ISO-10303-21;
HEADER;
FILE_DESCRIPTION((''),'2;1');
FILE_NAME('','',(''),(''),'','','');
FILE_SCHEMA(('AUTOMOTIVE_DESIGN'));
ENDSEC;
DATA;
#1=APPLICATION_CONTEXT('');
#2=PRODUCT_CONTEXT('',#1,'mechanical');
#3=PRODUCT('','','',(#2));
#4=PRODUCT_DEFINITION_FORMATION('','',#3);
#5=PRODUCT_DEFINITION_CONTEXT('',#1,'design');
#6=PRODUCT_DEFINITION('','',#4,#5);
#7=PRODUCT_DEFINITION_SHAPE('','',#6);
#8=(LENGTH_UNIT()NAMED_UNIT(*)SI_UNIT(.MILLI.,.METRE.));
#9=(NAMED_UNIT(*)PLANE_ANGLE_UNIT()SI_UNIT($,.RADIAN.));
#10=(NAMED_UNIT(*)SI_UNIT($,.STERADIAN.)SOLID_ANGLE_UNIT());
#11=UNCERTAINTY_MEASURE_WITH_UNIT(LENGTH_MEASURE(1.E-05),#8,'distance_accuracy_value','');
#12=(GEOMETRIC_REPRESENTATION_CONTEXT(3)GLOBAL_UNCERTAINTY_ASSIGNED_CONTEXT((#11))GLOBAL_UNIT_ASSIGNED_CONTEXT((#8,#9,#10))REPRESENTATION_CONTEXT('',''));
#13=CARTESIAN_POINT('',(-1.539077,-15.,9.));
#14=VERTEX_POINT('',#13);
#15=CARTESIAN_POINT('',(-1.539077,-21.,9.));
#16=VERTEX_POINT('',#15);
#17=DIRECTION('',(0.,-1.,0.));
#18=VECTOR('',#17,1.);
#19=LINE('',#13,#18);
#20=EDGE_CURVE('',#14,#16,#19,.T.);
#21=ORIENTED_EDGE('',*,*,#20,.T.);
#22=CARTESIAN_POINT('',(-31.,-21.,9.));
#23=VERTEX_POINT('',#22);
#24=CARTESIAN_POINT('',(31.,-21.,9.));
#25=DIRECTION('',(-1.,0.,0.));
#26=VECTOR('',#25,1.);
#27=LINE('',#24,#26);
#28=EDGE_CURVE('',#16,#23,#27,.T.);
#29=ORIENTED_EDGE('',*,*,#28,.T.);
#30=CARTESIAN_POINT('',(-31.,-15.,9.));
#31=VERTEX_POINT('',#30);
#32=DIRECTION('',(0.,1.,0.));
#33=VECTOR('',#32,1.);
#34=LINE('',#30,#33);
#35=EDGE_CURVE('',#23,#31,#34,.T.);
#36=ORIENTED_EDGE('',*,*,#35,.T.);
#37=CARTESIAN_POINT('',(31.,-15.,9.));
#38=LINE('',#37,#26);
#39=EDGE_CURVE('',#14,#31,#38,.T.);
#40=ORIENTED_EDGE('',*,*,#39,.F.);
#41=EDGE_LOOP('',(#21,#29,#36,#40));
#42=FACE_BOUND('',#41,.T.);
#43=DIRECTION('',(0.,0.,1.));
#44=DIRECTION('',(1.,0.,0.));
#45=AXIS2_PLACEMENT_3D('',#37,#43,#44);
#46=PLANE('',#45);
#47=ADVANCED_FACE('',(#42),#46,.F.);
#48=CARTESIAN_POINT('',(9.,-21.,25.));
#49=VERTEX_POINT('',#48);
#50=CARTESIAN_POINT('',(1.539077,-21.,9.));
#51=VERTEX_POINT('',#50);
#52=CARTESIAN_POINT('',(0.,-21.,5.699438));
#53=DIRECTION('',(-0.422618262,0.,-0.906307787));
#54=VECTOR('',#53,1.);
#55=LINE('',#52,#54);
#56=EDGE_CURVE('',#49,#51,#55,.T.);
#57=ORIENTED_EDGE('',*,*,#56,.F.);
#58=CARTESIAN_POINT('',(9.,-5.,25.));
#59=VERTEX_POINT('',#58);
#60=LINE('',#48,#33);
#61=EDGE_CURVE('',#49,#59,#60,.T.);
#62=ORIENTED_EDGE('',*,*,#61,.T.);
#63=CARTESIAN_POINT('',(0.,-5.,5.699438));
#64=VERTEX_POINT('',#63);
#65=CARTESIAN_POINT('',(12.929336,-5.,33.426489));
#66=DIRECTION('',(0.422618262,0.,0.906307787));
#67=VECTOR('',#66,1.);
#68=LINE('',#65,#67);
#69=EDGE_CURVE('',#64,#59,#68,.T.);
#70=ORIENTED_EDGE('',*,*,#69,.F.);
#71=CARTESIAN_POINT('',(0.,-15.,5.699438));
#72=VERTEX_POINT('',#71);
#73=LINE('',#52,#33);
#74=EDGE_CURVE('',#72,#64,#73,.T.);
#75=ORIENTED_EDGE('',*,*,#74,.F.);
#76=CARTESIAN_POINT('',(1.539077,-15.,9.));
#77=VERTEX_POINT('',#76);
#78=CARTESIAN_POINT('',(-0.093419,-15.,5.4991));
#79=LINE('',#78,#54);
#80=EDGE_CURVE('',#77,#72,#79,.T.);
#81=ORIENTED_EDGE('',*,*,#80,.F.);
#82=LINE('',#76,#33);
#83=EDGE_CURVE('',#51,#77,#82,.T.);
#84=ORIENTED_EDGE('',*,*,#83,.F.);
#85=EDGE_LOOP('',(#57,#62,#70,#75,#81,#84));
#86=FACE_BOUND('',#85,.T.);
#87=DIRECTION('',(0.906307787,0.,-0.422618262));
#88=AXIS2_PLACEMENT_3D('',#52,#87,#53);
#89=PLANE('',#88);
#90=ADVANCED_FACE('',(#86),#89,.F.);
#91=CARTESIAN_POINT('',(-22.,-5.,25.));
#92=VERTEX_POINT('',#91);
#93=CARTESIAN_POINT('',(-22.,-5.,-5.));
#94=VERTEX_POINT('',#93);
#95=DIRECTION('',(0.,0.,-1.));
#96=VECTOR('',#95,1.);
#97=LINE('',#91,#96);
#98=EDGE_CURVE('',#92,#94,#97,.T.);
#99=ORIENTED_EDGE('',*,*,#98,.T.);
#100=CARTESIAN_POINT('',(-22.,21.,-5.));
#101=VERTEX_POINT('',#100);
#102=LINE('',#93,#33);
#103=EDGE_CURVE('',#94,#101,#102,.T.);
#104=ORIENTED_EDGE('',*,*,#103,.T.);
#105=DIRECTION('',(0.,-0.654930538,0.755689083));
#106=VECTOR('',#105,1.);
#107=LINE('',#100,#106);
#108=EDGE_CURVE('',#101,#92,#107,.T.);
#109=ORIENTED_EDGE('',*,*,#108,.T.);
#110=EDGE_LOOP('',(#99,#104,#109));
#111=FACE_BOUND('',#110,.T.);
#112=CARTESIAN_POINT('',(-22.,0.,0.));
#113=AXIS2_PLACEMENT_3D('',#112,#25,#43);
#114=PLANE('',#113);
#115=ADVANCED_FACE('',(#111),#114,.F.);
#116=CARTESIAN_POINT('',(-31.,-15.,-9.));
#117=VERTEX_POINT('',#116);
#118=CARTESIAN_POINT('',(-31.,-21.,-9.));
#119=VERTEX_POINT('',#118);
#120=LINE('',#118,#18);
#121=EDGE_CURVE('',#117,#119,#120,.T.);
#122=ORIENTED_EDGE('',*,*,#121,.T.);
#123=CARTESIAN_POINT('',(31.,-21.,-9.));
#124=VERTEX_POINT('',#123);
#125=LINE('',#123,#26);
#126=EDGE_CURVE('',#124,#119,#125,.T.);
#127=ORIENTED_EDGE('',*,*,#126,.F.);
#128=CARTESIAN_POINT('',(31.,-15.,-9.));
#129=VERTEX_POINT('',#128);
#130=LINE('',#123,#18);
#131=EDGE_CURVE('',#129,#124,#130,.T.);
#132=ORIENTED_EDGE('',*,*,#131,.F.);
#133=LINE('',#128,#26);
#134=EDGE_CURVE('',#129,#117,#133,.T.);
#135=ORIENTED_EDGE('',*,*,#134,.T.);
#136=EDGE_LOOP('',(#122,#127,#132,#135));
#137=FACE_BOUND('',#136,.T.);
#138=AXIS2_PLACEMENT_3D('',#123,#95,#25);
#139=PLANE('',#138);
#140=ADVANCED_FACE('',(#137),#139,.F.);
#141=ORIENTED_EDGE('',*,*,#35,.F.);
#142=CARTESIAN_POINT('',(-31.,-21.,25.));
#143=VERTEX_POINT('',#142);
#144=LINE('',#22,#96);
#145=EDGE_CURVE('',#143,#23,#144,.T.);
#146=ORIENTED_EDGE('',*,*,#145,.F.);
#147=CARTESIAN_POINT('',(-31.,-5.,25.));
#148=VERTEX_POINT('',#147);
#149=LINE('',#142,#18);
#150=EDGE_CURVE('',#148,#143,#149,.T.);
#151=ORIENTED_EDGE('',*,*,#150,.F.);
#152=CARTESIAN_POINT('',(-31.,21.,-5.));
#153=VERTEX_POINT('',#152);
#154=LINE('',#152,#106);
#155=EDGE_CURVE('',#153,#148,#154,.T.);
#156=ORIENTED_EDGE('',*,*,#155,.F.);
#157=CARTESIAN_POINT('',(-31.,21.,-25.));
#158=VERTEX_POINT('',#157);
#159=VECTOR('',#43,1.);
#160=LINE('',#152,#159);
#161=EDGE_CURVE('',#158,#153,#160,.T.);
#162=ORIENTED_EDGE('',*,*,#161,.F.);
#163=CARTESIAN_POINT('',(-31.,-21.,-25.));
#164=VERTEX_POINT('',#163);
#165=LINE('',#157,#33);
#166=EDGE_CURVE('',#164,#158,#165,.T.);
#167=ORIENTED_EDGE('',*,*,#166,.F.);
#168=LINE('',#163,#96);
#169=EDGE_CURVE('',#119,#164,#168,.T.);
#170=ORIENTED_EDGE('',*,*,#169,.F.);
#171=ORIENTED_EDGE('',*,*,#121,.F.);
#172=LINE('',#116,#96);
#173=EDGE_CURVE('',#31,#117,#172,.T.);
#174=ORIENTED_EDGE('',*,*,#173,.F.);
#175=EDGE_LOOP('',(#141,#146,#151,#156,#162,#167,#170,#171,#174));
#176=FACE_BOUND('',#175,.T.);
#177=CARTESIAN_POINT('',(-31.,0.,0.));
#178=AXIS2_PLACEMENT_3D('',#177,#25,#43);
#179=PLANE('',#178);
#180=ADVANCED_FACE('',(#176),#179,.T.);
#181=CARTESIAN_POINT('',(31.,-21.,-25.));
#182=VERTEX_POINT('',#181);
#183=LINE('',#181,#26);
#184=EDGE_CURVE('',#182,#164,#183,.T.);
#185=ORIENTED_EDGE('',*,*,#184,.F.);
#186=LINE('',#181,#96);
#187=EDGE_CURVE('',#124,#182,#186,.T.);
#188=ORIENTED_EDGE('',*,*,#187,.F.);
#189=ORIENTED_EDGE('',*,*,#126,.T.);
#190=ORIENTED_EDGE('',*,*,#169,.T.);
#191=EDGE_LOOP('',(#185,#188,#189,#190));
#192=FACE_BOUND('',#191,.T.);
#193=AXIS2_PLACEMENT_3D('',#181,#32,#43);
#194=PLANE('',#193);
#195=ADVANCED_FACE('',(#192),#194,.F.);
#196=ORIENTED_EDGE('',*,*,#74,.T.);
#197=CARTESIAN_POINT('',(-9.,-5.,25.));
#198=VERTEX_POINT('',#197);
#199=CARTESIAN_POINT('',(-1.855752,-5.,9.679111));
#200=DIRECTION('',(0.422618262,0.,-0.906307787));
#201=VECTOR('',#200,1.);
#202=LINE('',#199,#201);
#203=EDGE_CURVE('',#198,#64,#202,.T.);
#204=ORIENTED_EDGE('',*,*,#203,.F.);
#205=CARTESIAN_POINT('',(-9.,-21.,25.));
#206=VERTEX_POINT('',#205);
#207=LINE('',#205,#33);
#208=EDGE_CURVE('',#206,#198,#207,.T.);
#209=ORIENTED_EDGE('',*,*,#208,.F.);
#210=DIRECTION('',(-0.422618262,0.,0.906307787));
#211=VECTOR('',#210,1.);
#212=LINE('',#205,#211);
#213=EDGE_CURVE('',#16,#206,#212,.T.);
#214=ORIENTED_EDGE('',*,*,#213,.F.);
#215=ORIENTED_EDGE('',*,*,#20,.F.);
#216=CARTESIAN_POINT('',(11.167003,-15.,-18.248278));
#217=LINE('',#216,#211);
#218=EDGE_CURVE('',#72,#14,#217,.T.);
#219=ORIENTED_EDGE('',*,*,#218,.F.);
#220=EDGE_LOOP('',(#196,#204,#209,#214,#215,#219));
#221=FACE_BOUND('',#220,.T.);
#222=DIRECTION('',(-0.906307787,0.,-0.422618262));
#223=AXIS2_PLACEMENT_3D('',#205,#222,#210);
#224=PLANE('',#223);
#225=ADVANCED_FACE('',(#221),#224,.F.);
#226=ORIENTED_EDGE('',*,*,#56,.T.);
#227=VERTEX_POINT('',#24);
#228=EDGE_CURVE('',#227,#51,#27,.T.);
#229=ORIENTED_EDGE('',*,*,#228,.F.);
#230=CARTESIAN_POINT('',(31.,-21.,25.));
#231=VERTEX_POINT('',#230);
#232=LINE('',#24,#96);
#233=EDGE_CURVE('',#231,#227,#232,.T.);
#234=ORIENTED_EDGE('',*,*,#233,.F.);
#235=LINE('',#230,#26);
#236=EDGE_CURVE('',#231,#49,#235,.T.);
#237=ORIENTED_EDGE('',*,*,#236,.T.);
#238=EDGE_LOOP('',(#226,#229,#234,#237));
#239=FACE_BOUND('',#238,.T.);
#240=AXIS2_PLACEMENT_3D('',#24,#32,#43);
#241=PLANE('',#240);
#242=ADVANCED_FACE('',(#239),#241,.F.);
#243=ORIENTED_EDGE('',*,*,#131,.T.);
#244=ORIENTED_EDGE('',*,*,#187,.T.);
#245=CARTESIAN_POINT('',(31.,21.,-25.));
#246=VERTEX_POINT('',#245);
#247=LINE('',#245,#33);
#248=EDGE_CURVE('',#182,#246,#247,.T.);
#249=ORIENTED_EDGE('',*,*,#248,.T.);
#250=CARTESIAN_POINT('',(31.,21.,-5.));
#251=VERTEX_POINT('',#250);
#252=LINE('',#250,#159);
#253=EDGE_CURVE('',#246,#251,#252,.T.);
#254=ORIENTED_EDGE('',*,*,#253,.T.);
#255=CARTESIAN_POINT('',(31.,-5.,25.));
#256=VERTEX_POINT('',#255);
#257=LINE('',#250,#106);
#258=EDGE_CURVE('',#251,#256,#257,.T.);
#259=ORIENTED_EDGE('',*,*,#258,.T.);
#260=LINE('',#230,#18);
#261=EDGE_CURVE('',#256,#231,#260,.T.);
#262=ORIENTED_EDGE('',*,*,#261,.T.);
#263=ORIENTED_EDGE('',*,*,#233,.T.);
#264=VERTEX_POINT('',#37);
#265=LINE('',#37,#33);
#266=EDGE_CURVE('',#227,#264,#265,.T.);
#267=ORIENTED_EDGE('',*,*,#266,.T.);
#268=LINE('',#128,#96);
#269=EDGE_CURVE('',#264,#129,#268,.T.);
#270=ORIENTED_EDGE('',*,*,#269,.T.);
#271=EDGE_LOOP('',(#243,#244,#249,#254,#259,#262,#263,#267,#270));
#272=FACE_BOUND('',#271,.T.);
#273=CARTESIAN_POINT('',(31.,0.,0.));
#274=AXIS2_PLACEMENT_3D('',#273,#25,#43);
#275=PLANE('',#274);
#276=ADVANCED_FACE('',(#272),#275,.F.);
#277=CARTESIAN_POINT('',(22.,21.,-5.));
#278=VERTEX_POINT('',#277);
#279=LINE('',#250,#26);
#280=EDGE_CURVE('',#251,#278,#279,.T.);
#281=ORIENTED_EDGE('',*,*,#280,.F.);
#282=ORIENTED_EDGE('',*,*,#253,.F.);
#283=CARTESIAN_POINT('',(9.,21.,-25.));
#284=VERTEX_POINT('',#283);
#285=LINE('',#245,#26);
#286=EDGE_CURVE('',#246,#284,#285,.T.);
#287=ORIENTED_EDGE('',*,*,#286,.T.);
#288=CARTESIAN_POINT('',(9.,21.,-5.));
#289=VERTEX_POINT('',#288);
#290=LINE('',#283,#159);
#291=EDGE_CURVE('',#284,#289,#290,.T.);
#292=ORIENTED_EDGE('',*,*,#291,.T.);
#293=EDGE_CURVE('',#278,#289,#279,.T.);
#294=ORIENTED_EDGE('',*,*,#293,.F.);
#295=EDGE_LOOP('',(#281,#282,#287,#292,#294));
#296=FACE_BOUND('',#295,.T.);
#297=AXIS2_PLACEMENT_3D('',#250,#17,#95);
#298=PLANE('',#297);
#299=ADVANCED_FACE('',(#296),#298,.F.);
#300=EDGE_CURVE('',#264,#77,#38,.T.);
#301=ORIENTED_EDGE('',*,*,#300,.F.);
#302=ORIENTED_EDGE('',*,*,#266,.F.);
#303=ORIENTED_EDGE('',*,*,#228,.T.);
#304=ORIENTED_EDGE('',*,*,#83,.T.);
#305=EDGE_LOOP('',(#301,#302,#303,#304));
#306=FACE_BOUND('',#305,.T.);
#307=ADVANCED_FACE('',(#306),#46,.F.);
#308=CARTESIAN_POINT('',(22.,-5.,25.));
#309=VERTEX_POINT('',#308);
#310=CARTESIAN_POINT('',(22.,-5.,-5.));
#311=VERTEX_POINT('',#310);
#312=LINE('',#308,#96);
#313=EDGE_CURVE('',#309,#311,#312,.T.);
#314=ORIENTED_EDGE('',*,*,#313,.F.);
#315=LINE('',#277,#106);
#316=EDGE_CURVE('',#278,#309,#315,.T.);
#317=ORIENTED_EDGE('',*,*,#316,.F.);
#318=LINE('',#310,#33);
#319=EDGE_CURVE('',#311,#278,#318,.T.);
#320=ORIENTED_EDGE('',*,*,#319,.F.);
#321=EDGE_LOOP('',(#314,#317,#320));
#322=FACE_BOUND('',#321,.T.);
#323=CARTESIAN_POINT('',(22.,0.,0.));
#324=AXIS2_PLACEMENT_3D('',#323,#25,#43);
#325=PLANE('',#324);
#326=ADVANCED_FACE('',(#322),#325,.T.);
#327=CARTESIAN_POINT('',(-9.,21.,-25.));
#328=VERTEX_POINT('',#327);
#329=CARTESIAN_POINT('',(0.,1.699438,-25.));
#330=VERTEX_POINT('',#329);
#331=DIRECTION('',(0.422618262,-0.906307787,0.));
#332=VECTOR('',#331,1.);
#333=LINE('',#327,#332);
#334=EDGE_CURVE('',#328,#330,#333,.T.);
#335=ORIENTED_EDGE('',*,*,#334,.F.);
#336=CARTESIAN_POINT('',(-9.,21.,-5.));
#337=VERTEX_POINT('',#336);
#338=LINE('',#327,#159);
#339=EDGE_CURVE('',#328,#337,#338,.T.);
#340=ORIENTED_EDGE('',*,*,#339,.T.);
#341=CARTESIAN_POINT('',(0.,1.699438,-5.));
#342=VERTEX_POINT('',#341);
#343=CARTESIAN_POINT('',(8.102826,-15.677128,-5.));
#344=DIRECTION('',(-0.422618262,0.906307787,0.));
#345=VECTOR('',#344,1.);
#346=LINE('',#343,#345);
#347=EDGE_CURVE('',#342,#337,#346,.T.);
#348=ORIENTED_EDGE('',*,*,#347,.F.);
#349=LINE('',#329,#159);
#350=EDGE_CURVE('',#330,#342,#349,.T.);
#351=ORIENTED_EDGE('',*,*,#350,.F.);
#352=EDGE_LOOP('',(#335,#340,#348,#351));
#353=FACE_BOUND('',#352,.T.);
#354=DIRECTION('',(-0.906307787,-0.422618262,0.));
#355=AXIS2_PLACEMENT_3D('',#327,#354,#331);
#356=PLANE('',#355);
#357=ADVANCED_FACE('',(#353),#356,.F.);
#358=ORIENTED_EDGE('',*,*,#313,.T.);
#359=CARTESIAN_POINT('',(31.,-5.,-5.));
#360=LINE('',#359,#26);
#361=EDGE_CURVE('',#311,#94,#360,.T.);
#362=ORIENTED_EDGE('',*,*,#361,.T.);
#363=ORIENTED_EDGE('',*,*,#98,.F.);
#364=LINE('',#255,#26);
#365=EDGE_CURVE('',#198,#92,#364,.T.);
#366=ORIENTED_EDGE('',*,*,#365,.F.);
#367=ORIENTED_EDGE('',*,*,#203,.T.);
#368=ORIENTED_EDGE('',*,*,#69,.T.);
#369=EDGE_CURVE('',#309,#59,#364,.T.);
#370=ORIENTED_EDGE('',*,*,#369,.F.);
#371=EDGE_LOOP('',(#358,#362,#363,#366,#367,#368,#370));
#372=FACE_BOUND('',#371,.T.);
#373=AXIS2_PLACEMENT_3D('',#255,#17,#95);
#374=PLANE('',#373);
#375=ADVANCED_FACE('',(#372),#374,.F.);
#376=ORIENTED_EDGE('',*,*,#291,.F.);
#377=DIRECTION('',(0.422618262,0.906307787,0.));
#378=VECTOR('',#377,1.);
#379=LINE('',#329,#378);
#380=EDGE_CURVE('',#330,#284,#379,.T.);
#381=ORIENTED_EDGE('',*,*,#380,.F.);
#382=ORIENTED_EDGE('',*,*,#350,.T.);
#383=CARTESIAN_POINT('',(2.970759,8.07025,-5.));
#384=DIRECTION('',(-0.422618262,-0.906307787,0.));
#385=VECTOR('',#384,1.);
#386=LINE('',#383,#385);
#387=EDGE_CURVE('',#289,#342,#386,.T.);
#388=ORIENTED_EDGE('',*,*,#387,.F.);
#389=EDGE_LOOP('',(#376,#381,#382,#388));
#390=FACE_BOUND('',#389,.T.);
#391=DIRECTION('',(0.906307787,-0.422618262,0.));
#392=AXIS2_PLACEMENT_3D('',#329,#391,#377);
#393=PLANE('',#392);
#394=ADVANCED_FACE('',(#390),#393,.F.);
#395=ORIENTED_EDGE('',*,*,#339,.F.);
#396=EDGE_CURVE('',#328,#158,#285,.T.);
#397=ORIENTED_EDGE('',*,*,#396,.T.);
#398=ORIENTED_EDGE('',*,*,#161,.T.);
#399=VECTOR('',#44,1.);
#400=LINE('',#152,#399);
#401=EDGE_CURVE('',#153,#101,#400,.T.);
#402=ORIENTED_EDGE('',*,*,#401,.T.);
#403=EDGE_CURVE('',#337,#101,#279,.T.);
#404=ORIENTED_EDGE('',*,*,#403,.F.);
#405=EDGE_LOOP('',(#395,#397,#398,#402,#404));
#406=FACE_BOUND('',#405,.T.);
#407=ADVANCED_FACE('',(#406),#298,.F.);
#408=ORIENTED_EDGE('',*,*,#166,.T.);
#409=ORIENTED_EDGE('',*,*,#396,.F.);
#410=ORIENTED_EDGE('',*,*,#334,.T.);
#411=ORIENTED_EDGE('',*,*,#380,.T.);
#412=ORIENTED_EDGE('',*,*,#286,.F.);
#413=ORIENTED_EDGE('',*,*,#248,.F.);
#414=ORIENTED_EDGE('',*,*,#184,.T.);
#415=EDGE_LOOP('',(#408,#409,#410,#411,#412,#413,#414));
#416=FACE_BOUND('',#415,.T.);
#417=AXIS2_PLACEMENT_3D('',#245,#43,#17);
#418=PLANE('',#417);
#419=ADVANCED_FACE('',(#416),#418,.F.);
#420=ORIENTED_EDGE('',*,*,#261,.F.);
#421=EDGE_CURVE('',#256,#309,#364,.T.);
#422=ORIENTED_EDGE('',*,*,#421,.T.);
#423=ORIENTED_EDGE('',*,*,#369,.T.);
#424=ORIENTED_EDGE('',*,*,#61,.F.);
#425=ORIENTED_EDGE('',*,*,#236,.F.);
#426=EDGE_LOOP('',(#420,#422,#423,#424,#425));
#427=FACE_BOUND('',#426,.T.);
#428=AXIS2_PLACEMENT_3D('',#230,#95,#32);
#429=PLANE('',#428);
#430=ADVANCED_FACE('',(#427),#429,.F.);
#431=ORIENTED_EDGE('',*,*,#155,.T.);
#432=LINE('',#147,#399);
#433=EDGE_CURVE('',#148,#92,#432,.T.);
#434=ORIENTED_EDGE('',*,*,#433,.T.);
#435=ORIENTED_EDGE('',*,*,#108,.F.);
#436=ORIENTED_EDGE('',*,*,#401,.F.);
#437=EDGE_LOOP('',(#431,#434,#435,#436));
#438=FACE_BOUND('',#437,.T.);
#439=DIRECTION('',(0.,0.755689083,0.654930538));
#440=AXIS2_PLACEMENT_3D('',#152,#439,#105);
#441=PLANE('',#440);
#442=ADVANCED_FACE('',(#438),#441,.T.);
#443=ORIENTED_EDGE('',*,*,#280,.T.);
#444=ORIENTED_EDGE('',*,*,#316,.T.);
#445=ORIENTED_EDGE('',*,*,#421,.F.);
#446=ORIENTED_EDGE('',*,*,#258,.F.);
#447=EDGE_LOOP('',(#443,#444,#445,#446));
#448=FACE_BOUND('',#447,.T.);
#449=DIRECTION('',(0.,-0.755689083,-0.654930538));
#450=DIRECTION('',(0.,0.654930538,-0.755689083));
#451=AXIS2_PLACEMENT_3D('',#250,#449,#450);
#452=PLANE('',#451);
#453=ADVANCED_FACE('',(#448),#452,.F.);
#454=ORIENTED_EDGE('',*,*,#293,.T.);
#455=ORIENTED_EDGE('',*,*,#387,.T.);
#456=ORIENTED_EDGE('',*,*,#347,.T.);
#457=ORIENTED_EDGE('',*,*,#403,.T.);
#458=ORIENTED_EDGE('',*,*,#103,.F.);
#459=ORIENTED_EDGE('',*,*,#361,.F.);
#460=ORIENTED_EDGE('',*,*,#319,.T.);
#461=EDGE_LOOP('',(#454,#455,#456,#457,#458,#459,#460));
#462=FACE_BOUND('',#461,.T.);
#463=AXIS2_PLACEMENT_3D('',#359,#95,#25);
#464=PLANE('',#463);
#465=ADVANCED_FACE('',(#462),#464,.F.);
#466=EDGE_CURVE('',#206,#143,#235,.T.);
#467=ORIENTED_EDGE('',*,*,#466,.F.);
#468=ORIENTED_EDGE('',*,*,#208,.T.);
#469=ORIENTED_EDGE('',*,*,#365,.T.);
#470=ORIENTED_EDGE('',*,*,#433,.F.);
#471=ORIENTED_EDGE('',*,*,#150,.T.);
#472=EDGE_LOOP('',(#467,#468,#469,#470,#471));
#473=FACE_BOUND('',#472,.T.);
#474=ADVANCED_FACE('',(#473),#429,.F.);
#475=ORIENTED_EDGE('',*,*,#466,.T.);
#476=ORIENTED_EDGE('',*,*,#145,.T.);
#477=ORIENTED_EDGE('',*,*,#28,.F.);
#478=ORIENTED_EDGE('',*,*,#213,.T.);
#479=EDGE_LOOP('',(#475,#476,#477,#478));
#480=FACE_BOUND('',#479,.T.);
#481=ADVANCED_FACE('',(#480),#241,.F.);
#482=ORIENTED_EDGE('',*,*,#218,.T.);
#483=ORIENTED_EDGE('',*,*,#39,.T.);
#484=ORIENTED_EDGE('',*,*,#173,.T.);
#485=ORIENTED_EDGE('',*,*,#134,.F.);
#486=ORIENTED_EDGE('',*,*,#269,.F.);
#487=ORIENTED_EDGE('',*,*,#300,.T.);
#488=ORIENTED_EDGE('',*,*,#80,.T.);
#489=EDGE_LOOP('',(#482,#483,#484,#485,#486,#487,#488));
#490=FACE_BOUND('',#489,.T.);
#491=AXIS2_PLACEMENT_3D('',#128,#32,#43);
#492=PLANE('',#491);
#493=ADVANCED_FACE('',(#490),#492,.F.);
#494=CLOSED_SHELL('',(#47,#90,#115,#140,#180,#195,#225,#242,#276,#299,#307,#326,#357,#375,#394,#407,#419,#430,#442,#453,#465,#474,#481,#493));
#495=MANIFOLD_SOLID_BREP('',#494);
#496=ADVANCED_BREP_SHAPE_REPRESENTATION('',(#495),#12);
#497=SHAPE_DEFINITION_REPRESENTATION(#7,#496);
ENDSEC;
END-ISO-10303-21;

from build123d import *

# Parameters (mm, degrees)
BOSS_EXTRUDE2_DEPTH = 31
BOSS_EXTRUDE3_START = 22
BOSS_EXTRUDE3_DEPTH = 9
BOSS_EXTRUDE4_START = -22
BOSS_EXTRUDE4_DEPTH = 9
CUT_EXTRUDE3_DEPTH  = 46.022216738
CUT_EXTRUDE4_DEPTH  = 46.022216738


with BuildPart() as part:
    # Sketch2 → Boss-Extrude2 (new, symmetric)
    with BuildSketch(Plane(origin=(0, 0, 0), x_dir=(0, 0, -1), z_dir=(1, 0, 0))):
        Polygon((5, 21), (25, 21), (25, -21), (9, -21), (9, -15), (-9, -15), (-9, -21), (-25, -21), (-25, -5), (5, -5), align=None)
    extrude(amount=BOSS_EXTRUDE2_DEPTH, both=True)

    # Sketch3 → Boss-Extrude3 (add)
    with BuildSketch(Plane(origin=(0, 0, 0), x_dir=(0, 0, -1), z_dir=(1, 0, 0)).offset(BOSS_EXTRUDE3_START)):
        Polygon((5, 21), (-25, -5), (5, -5), align=None)
    extrude(amount=BOSS_EXTRUDE3_DEPTH)

    # Sketch3<4> → Boss-Extrude4 (add)
    with BuildSketch(Plane(origin=(0, 0, 0), x_dir=(0, 0, -1), z_dir=(1, 0, 0)).offset(BOSS_EXTRUDE4_START)):
        Polygon((5, 21), (-25, -5), (5, -5), align=None)
    extrude(amount=-BOSS_EXTRUDE4_DEPTH)

    # Sketch4 → Cut-Extrude3 (cut, through all)
    with BuildSketch(Plane(origin=(0, 0, 0), x_dir=(1, 0, 0), z_dir=(0, 1, 0))):
        Polygon((-9, -25), (0, -5.699437715), (9, -25), align=None)
    extrude(amount=-CUT_EXTRUDE3_DEPTH, mode=Mode.SUBTRACT)

    # Sketch6 → Cut-Extrude4 (cut, through all)
    with BuildSketch(Plane.XY):
        Polygon((-9, 21), (0, 1.699437715), (9, 21), align=None)
    extrude(amount=-CUT_EXTRUDE4_DEPTH, mode=Mode.SUBTRACT)


solid = part.part
